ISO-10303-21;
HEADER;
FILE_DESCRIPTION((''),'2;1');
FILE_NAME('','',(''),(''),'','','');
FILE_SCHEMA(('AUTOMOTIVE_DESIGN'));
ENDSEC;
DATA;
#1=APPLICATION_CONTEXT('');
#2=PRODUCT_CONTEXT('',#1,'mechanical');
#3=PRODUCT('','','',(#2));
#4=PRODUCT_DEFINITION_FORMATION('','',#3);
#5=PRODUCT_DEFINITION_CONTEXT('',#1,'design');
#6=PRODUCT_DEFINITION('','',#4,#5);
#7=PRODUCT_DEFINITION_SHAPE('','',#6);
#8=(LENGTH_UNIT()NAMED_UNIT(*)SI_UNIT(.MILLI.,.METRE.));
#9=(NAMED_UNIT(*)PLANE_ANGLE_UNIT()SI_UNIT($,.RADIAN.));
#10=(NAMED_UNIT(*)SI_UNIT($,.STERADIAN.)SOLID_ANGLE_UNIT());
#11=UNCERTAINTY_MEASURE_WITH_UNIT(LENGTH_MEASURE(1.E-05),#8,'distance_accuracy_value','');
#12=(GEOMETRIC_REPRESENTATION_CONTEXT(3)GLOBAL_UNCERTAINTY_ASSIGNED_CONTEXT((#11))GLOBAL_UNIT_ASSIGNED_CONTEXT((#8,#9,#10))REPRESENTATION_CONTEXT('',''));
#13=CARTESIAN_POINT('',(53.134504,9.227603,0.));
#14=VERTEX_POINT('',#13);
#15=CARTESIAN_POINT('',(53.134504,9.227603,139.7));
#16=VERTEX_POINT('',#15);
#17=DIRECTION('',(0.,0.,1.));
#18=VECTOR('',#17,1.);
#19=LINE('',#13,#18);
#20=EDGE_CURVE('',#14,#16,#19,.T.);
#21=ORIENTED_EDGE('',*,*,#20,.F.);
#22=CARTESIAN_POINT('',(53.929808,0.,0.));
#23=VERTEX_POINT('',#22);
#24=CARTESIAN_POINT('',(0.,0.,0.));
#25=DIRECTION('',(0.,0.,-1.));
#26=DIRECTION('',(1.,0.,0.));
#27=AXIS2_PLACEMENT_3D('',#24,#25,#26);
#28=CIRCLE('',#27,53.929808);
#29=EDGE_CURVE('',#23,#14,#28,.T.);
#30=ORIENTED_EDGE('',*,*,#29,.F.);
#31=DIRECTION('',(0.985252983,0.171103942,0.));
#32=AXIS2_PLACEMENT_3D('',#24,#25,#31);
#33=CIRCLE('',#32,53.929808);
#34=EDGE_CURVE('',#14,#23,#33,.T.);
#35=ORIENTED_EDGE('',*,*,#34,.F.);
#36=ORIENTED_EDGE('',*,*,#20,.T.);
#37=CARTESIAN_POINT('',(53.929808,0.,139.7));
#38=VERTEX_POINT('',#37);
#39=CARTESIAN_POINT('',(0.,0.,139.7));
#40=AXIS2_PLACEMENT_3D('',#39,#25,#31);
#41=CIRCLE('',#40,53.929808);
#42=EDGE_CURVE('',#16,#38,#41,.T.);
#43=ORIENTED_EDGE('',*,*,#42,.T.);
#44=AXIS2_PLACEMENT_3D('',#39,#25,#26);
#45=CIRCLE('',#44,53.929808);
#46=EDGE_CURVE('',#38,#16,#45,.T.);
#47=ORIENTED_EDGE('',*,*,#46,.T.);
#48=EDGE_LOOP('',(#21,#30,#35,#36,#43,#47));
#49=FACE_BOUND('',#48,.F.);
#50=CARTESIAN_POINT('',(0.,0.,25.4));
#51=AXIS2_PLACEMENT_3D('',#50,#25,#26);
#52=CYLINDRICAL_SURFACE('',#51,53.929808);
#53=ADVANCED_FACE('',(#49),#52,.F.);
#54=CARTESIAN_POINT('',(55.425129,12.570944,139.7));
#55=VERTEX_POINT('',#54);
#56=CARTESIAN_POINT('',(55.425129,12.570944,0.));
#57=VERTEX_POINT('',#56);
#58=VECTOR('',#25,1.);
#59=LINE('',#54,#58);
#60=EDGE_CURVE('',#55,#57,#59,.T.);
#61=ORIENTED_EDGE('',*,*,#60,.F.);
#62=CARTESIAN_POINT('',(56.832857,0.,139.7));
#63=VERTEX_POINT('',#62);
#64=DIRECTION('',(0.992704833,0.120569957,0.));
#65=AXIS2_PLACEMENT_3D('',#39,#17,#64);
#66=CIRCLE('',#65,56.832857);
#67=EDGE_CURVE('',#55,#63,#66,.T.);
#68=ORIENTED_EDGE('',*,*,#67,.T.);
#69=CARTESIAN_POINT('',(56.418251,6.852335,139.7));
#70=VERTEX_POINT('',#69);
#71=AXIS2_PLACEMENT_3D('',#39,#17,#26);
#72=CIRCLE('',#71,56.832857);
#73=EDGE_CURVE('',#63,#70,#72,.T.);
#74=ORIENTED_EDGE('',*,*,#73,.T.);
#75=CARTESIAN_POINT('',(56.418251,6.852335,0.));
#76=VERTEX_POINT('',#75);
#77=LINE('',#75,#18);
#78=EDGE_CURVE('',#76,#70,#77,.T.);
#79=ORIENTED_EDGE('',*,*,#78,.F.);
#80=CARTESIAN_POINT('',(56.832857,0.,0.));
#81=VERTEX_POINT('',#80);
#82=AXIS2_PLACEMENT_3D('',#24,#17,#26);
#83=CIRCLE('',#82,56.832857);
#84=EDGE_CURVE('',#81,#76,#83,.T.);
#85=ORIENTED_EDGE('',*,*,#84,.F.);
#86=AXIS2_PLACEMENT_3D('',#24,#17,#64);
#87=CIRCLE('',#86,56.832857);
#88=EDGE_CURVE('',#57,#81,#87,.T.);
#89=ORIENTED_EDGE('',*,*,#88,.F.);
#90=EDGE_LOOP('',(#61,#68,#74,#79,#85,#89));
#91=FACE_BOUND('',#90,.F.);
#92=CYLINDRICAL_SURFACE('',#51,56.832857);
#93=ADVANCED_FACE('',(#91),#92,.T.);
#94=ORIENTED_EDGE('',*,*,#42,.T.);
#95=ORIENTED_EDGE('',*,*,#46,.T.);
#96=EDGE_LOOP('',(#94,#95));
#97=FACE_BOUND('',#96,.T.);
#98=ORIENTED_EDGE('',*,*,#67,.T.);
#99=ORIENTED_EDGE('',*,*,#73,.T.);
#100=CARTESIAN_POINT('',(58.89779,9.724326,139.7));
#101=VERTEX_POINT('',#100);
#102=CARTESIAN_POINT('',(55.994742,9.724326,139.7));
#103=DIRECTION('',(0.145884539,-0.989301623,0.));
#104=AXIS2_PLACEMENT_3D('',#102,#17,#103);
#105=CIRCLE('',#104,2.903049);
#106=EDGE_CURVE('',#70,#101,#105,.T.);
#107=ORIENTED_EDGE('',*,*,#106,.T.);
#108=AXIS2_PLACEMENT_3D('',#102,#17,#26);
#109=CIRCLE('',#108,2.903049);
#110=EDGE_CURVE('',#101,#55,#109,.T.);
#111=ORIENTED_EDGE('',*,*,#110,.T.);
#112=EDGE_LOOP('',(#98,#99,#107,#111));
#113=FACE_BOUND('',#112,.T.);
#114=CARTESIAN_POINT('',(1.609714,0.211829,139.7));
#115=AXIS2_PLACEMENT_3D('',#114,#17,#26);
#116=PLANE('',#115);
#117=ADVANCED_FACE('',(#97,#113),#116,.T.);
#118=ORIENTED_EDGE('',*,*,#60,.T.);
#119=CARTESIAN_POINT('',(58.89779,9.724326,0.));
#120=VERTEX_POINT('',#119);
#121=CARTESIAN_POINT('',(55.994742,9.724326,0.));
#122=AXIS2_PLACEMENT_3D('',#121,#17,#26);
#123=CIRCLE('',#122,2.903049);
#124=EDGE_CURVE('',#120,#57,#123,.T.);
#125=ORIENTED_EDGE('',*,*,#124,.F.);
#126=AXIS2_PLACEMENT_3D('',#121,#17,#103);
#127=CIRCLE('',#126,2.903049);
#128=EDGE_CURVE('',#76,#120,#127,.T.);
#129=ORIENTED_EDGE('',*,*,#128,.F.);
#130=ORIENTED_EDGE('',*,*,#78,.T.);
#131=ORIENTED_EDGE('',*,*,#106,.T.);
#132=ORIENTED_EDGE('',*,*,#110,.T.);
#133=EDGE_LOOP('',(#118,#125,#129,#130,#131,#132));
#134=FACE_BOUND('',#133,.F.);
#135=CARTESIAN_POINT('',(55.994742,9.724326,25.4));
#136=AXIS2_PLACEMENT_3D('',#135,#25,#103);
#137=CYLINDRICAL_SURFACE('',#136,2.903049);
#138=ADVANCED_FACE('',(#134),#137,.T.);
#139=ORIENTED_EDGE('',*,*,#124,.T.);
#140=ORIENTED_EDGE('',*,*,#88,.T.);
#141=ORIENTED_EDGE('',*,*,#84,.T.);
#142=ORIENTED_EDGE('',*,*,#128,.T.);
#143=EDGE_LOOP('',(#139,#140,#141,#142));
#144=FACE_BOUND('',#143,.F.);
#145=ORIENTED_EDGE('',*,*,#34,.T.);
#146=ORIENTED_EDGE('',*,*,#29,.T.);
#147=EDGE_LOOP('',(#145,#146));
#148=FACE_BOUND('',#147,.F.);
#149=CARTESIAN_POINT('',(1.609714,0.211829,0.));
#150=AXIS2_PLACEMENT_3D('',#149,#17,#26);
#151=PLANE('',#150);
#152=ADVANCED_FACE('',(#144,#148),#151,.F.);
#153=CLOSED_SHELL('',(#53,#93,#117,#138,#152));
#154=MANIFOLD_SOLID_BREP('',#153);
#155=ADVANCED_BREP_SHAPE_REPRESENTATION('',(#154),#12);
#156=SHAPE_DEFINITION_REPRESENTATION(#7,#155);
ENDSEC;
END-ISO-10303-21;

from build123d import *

# Parameters (mm, degrees)
F1_DEPTH = 25.4
F2_DEPTH = 114.3


with BuildPart() as f1:
    # F0 (on Top) → F1 (new body)
    with BuildSketch(Plane.XY):
        with BuildLine():
            ThreePointArc((55.4251293732, 12.5709439398), (-56.4798283961, -6.3247594359), (56.8328566726, 0))
            ThreePointArc((56.8328566726, 0), (56.729110685, 3.4324333158), (56.4182514898, 6.8523351066))
            ThreePointArc((56.4182514898, 6.8523351066), (54.293305605, 7.3721338343), (53.134504139, 9.2276027488))
            ThreePointArc((53.134504139, 9.2276027488), (53.5998616753, 11.3651313519), (55.4251293732, 12.5709439398))
        make_face()
        with BuildLine():
            ThreePointArc((53.9298079227, 0), (-53.7306141081, -4.630905975), (53.134504139, 9.2276027488))
            ThreePointArc((53.134504139, 9.2276027488), (53.7306141081, 4.630905975), (53.9298079227, 0))
        make_face(mode=Mode.SUBTRACT)
        with BuildLine():
            ThreePointArc((53.134504139, 9.2276027488), (54.293305605, 7.3721338343), (56.4182514898, 6.8523351066))
            ThreePointArc((56.4182514898, 6.8523351066), (55.9947415608, 9.7243259465), (55.4251293732, 12.5709439398))
            ThreePointArc((55.4251293732, 12.5709439398), (53.5998616753, 11.3651313519), (53.134504139, 9.2276027488))
        make_face()
        with BuildLine():
            ThreePointArc((55.4251293732, 12.5709439398), (55.9947415608, 9.7243259465), (56.4182514898, 6.8523351066))
            ThreePointArc((56.4182514898, 6.8523351066), (58.1921448026, 7.8271936271), (58.8977903107, 9.7243259465))
            ThreePointArc((58.8977903107, 9.7243259465), (57.8351328365, 11.9694655851), (55.4251293732, 12.5709439398))
        make_face()
    extrude(amount=F1_DEPTH)

    # F2 (add): a face of the model
    f2_faces = [f1.faces().sort_by_distance(p)[0] for p in [
        (-54.3965203947, -9.4467708918, 25.4),
    ]]
    extrude(f2_faces, amount=F2_DEPTH)


solid = f1.part
